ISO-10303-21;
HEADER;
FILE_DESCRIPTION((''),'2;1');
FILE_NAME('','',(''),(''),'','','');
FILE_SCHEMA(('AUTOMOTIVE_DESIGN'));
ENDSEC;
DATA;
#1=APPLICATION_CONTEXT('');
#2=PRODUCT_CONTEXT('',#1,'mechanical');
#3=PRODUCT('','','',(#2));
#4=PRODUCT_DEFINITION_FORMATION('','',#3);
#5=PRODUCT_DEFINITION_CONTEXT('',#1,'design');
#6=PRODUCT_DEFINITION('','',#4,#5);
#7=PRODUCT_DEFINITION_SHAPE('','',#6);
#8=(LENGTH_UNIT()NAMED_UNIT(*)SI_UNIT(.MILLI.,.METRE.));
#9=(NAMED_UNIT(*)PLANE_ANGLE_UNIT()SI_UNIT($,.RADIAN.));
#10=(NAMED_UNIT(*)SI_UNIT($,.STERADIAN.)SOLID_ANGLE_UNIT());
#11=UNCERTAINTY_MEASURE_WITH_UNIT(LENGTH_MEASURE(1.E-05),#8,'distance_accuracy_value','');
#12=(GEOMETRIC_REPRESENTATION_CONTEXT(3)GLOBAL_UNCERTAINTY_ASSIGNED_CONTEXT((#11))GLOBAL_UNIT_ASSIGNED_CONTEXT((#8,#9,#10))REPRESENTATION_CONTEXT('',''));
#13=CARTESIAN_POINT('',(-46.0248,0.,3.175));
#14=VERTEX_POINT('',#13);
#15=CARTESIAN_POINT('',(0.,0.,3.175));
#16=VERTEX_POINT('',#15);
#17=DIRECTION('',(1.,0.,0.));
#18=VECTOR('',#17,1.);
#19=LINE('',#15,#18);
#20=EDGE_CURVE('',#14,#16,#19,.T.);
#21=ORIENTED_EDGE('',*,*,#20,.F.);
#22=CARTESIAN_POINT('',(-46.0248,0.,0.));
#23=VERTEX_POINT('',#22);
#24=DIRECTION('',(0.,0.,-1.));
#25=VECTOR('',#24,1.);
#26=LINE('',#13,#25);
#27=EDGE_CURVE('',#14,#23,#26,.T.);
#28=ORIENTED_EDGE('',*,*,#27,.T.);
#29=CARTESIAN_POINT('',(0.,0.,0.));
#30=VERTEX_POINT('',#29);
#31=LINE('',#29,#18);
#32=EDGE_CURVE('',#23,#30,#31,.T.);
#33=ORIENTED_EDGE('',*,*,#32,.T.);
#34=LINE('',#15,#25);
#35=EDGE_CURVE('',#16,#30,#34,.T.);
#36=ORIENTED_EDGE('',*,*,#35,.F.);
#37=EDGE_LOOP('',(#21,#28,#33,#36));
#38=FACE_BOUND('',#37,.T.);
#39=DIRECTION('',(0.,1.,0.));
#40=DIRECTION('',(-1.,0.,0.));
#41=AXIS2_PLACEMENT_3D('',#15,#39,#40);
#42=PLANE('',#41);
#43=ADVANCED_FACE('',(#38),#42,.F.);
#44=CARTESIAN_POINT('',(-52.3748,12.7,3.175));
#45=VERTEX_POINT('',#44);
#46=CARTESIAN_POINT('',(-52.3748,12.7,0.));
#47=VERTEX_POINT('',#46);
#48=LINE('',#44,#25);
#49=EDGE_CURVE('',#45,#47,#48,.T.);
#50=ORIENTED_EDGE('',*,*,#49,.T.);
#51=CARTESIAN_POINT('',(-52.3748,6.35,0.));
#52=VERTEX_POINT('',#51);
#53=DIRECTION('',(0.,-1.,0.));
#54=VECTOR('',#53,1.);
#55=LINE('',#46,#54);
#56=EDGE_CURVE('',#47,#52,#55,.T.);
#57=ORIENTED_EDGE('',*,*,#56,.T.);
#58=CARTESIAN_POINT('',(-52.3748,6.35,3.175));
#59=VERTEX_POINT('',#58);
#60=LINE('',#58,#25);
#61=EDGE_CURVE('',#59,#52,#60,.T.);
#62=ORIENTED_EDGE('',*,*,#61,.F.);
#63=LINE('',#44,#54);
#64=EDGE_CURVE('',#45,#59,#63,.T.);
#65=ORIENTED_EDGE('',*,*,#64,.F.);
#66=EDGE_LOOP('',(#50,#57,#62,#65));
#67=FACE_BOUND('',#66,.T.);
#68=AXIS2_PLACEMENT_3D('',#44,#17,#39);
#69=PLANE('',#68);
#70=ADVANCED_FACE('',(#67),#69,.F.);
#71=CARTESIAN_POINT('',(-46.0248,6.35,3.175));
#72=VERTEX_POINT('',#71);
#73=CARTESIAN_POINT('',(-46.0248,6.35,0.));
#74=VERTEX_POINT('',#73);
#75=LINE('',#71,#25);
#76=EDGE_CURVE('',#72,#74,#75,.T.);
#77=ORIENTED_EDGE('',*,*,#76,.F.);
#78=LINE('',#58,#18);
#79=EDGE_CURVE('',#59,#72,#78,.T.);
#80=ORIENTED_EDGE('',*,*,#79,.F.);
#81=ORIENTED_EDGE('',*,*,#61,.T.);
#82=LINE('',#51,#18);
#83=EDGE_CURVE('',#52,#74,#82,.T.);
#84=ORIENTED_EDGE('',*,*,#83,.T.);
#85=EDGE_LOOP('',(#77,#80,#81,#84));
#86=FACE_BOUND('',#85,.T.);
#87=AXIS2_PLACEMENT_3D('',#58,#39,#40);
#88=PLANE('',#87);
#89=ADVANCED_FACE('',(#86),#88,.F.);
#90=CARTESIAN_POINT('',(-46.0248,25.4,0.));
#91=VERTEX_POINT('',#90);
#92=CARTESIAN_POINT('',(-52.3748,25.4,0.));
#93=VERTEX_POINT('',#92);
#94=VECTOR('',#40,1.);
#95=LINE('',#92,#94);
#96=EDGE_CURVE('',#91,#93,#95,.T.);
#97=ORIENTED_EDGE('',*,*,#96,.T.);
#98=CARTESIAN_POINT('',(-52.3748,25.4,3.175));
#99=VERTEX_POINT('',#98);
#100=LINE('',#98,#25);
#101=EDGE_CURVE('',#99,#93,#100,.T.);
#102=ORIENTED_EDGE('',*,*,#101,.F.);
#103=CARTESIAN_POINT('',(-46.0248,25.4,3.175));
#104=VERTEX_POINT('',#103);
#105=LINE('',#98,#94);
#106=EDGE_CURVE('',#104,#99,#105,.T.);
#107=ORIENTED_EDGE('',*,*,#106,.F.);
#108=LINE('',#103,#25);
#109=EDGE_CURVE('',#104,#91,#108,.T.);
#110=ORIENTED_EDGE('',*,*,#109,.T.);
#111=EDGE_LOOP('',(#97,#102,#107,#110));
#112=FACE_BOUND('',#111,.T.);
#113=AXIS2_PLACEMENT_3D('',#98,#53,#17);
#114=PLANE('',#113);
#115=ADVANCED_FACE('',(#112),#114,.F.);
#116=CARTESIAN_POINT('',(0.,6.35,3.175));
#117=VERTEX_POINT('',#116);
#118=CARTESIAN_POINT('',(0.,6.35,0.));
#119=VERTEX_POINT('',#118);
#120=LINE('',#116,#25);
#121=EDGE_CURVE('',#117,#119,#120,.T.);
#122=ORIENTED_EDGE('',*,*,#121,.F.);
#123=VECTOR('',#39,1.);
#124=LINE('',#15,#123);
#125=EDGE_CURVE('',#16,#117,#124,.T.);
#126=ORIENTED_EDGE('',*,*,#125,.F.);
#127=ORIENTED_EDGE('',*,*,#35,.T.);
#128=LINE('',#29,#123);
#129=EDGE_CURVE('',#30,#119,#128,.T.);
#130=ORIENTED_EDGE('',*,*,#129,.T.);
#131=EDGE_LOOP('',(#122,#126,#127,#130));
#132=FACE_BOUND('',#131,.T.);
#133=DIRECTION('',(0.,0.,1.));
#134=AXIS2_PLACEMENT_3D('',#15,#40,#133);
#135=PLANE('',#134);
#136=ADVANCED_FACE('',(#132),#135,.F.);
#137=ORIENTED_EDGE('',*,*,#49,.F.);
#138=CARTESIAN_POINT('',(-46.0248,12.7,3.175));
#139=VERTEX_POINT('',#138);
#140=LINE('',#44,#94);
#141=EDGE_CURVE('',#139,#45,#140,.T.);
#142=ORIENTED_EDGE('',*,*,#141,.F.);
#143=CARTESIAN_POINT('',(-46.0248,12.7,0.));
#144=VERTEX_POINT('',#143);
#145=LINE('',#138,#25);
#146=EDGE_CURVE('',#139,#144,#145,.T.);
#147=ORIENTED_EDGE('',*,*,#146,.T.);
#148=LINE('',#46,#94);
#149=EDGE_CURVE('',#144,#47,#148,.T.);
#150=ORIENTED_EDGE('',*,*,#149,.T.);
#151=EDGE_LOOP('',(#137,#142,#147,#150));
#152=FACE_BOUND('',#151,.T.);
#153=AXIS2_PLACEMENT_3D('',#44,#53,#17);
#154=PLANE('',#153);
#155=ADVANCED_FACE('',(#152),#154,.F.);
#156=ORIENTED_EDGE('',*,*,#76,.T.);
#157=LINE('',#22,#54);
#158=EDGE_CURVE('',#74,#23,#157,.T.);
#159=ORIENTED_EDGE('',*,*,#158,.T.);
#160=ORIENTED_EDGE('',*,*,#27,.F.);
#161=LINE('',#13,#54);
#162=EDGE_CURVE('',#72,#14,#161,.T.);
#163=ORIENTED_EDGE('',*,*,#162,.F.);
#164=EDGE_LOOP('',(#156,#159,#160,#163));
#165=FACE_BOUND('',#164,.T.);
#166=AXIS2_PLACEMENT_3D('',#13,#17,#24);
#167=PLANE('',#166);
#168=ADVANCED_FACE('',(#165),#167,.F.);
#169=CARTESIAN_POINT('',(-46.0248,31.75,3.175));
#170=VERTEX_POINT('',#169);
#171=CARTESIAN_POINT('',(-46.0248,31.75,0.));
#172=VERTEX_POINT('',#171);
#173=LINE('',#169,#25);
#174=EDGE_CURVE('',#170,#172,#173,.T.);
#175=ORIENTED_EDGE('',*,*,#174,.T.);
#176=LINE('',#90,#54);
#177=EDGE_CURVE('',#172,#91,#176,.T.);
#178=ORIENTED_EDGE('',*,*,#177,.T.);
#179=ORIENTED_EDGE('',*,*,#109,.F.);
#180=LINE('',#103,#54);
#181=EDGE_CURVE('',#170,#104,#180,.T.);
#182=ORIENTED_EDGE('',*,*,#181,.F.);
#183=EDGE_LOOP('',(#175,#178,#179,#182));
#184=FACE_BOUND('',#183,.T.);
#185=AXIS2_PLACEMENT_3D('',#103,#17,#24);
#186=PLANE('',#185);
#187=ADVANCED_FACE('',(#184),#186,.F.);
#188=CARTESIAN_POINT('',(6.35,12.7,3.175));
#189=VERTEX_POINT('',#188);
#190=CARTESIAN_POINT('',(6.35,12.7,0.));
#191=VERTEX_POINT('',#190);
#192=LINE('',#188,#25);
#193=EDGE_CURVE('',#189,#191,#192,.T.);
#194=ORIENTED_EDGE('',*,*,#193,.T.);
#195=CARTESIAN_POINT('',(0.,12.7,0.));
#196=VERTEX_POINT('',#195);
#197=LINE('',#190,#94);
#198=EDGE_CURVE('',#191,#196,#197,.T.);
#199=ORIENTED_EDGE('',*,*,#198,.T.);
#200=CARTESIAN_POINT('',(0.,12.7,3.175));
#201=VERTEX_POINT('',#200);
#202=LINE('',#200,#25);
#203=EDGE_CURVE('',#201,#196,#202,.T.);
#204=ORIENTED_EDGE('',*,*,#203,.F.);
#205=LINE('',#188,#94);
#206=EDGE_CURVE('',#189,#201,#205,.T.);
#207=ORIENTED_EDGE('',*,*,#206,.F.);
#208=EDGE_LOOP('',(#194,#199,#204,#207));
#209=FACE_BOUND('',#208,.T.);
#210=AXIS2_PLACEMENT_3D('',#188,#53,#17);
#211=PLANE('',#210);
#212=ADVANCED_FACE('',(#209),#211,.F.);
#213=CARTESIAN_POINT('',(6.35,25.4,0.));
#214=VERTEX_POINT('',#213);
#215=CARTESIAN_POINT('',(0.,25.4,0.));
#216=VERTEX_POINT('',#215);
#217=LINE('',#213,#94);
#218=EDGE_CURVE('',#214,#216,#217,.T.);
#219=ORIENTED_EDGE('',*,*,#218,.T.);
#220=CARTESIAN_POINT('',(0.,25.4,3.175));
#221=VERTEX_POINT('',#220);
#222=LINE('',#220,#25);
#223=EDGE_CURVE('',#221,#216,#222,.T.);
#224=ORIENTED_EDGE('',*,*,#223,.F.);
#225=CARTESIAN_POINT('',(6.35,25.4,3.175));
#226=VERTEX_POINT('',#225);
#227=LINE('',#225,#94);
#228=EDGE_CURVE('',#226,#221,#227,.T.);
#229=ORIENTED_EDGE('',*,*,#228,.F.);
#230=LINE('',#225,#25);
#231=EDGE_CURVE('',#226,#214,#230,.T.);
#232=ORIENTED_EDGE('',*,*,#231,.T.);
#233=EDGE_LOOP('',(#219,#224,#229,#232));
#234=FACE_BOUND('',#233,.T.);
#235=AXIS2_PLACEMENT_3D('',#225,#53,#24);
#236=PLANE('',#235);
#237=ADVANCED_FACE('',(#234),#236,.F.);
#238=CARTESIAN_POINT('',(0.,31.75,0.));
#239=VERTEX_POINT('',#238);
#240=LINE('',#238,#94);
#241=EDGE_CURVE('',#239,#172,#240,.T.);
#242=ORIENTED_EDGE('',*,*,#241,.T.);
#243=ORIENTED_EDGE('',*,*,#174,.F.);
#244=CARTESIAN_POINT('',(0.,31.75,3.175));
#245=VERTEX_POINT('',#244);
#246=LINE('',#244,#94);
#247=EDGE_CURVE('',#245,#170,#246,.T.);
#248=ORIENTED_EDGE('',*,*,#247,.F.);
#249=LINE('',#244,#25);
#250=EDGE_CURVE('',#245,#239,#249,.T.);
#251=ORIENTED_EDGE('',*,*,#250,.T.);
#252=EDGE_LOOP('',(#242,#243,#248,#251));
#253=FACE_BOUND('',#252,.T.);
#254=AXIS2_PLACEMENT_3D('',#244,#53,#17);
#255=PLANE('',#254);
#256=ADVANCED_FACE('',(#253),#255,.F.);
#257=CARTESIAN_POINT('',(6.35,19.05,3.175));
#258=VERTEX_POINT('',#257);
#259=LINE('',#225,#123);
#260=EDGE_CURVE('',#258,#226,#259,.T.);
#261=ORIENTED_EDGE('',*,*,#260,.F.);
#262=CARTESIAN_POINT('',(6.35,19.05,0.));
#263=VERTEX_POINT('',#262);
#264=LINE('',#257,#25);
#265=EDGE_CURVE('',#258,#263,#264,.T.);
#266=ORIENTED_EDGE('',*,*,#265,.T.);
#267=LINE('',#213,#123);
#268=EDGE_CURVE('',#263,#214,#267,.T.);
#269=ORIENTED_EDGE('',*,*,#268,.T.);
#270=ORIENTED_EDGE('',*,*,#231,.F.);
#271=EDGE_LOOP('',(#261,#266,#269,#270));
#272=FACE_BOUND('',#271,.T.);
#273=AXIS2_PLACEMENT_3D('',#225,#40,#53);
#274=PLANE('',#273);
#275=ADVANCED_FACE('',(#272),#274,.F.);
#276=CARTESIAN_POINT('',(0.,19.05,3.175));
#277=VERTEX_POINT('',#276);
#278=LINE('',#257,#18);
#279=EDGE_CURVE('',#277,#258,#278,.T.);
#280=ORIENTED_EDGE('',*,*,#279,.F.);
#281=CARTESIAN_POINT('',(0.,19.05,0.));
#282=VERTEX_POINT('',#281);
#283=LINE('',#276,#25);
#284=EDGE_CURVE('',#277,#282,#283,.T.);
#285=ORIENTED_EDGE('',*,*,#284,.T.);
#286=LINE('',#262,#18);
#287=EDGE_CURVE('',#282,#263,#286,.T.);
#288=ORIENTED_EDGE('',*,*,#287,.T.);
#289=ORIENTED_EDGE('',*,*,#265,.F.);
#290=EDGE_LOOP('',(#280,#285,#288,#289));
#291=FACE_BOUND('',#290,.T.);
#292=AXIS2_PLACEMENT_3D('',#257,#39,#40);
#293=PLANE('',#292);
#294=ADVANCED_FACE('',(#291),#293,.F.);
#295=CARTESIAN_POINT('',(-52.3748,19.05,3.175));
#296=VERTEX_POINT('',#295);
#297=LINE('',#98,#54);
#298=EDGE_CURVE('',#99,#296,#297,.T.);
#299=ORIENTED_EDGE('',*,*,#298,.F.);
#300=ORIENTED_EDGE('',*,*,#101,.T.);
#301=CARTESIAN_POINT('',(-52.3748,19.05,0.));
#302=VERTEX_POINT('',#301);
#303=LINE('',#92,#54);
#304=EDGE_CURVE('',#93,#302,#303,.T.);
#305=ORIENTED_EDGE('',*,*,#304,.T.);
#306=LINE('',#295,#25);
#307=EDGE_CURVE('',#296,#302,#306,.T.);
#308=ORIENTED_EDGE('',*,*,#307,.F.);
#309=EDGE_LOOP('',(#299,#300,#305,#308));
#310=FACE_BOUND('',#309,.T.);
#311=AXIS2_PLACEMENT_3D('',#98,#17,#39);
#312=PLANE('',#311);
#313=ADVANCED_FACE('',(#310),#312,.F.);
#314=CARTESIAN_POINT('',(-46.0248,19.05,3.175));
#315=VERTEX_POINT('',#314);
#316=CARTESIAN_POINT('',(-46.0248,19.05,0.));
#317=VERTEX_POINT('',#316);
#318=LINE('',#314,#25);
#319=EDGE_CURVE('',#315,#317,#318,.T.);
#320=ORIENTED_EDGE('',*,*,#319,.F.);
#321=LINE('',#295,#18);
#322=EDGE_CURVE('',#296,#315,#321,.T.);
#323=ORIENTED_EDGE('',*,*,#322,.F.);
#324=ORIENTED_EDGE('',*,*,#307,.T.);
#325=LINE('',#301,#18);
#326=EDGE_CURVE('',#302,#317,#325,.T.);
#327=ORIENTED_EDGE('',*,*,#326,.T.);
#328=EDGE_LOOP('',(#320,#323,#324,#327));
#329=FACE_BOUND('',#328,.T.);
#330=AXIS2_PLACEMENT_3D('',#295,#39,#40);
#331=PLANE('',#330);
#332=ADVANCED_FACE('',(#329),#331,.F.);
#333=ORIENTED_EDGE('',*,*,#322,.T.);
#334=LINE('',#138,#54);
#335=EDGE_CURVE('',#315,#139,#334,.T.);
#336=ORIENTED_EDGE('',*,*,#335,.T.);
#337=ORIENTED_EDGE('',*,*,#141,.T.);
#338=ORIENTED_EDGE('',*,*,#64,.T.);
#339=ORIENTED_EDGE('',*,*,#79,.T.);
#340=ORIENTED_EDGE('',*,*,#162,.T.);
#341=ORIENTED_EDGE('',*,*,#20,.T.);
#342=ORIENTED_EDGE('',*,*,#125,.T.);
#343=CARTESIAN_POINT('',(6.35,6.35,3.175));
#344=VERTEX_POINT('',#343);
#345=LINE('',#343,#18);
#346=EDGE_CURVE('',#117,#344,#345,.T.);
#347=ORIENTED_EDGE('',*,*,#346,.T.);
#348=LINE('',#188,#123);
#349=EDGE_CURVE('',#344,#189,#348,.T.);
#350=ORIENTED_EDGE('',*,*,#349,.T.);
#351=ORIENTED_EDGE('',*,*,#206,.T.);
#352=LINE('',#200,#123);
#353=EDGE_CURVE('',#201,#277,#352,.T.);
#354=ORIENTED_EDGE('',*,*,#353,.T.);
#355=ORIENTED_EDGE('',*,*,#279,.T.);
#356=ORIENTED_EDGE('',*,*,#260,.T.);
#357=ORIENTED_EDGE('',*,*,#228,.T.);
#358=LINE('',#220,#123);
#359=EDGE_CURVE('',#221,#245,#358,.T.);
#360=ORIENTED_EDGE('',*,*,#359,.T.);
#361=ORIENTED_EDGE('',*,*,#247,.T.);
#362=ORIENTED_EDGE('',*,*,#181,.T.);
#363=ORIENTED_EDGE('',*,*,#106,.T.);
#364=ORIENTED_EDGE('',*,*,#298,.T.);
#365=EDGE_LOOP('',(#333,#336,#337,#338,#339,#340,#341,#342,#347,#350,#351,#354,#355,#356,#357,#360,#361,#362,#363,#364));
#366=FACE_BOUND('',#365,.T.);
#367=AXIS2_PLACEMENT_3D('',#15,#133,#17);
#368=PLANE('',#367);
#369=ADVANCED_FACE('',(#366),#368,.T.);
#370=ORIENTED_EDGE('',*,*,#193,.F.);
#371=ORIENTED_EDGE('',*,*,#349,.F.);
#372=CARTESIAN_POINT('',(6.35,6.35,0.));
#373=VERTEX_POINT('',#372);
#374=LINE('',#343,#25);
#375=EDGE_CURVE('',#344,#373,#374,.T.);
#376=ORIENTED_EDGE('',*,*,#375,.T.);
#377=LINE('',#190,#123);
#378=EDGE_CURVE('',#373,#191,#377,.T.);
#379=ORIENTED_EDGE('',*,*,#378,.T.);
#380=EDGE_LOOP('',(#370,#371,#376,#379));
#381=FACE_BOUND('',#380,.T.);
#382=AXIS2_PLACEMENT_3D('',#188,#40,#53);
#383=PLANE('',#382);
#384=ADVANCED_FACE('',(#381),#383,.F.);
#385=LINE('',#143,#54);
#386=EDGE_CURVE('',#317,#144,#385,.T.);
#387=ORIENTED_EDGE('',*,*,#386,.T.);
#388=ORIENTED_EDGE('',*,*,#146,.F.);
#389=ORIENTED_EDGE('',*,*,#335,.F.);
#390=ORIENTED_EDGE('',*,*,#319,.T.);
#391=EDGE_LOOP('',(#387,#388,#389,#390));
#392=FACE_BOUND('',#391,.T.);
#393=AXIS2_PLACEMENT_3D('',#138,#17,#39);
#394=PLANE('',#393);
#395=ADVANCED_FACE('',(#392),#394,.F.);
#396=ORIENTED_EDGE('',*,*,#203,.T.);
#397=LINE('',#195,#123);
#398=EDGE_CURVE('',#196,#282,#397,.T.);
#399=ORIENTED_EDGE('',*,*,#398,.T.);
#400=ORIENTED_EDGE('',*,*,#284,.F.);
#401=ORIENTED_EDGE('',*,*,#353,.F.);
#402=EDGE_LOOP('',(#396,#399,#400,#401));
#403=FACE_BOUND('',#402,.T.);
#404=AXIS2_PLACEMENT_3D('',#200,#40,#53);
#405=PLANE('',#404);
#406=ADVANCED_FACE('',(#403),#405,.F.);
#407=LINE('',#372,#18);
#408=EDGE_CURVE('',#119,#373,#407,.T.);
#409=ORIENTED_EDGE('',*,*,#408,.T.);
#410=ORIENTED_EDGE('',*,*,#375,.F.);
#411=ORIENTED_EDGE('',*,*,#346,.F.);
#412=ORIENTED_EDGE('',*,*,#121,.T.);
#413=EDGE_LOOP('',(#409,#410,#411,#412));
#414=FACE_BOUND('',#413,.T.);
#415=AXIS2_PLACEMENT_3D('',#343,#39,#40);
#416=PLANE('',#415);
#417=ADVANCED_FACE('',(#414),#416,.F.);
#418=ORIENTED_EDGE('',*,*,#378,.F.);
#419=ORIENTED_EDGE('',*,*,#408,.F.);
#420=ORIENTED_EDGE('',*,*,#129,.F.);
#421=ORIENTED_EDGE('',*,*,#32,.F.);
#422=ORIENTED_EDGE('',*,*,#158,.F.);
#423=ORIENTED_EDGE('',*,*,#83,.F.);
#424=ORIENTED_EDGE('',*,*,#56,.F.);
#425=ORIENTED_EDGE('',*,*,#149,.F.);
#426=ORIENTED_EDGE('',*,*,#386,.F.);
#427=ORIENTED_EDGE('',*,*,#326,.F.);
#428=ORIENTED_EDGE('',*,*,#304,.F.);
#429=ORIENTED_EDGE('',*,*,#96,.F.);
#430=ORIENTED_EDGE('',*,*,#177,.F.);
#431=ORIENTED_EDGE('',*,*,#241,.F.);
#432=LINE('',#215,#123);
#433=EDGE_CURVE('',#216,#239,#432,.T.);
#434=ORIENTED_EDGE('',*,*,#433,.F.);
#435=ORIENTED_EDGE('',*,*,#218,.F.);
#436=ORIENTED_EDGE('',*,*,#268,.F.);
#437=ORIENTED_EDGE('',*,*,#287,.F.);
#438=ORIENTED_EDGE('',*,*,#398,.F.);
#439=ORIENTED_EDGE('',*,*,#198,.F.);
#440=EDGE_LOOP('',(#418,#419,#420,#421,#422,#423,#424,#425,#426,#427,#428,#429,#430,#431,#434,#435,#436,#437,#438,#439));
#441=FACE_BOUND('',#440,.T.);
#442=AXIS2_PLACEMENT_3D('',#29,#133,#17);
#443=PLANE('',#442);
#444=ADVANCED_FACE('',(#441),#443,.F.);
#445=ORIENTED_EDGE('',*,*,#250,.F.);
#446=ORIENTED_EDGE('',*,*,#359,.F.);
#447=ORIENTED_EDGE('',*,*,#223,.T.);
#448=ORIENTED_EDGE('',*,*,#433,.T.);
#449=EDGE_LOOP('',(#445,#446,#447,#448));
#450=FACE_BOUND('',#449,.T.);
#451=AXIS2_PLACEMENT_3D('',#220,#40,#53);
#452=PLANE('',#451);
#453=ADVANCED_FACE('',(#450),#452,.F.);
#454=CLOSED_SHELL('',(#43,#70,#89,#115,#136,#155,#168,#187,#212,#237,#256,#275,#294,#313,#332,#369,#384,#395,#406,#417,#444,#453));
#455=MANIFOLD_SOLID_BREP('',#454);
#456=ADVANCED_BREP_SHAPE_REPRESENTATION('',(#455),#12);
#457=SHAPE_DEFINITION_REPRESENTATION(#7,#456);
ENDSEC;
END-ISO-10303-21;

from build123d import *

# Parameters (mm, degrees)
BOSS_EXTRUDE1_DEPTH = 3.175


with BuildPart() as part:
    # Sketch1 → Boss-Extrude1 (new body)
    with BuildSketch(Plane.XY):
        Polygon((0, 0), (-46.0248, 0), (-46.0248, 6.35), (-52.3748, 6.35), (-52.3748, 12.7), (-46.0248, 12.7), (-46.0248, 19.05), (-52.3748, 19.05), (-52.3748, 25.4), (-46.0248, 25.4), (-46.0248, 31.75), (0, 31.75), (0, 25.4), (6.35, 25.4), (6.35, 19.05), (0, 19.05), (0, 12.7), (6.35, 12.7), (6.35, 6.35), (0, 6.35), align=None)
    extrude(amount=BOSS_EXTRUDE1_DEPTH)


solid = part.part
